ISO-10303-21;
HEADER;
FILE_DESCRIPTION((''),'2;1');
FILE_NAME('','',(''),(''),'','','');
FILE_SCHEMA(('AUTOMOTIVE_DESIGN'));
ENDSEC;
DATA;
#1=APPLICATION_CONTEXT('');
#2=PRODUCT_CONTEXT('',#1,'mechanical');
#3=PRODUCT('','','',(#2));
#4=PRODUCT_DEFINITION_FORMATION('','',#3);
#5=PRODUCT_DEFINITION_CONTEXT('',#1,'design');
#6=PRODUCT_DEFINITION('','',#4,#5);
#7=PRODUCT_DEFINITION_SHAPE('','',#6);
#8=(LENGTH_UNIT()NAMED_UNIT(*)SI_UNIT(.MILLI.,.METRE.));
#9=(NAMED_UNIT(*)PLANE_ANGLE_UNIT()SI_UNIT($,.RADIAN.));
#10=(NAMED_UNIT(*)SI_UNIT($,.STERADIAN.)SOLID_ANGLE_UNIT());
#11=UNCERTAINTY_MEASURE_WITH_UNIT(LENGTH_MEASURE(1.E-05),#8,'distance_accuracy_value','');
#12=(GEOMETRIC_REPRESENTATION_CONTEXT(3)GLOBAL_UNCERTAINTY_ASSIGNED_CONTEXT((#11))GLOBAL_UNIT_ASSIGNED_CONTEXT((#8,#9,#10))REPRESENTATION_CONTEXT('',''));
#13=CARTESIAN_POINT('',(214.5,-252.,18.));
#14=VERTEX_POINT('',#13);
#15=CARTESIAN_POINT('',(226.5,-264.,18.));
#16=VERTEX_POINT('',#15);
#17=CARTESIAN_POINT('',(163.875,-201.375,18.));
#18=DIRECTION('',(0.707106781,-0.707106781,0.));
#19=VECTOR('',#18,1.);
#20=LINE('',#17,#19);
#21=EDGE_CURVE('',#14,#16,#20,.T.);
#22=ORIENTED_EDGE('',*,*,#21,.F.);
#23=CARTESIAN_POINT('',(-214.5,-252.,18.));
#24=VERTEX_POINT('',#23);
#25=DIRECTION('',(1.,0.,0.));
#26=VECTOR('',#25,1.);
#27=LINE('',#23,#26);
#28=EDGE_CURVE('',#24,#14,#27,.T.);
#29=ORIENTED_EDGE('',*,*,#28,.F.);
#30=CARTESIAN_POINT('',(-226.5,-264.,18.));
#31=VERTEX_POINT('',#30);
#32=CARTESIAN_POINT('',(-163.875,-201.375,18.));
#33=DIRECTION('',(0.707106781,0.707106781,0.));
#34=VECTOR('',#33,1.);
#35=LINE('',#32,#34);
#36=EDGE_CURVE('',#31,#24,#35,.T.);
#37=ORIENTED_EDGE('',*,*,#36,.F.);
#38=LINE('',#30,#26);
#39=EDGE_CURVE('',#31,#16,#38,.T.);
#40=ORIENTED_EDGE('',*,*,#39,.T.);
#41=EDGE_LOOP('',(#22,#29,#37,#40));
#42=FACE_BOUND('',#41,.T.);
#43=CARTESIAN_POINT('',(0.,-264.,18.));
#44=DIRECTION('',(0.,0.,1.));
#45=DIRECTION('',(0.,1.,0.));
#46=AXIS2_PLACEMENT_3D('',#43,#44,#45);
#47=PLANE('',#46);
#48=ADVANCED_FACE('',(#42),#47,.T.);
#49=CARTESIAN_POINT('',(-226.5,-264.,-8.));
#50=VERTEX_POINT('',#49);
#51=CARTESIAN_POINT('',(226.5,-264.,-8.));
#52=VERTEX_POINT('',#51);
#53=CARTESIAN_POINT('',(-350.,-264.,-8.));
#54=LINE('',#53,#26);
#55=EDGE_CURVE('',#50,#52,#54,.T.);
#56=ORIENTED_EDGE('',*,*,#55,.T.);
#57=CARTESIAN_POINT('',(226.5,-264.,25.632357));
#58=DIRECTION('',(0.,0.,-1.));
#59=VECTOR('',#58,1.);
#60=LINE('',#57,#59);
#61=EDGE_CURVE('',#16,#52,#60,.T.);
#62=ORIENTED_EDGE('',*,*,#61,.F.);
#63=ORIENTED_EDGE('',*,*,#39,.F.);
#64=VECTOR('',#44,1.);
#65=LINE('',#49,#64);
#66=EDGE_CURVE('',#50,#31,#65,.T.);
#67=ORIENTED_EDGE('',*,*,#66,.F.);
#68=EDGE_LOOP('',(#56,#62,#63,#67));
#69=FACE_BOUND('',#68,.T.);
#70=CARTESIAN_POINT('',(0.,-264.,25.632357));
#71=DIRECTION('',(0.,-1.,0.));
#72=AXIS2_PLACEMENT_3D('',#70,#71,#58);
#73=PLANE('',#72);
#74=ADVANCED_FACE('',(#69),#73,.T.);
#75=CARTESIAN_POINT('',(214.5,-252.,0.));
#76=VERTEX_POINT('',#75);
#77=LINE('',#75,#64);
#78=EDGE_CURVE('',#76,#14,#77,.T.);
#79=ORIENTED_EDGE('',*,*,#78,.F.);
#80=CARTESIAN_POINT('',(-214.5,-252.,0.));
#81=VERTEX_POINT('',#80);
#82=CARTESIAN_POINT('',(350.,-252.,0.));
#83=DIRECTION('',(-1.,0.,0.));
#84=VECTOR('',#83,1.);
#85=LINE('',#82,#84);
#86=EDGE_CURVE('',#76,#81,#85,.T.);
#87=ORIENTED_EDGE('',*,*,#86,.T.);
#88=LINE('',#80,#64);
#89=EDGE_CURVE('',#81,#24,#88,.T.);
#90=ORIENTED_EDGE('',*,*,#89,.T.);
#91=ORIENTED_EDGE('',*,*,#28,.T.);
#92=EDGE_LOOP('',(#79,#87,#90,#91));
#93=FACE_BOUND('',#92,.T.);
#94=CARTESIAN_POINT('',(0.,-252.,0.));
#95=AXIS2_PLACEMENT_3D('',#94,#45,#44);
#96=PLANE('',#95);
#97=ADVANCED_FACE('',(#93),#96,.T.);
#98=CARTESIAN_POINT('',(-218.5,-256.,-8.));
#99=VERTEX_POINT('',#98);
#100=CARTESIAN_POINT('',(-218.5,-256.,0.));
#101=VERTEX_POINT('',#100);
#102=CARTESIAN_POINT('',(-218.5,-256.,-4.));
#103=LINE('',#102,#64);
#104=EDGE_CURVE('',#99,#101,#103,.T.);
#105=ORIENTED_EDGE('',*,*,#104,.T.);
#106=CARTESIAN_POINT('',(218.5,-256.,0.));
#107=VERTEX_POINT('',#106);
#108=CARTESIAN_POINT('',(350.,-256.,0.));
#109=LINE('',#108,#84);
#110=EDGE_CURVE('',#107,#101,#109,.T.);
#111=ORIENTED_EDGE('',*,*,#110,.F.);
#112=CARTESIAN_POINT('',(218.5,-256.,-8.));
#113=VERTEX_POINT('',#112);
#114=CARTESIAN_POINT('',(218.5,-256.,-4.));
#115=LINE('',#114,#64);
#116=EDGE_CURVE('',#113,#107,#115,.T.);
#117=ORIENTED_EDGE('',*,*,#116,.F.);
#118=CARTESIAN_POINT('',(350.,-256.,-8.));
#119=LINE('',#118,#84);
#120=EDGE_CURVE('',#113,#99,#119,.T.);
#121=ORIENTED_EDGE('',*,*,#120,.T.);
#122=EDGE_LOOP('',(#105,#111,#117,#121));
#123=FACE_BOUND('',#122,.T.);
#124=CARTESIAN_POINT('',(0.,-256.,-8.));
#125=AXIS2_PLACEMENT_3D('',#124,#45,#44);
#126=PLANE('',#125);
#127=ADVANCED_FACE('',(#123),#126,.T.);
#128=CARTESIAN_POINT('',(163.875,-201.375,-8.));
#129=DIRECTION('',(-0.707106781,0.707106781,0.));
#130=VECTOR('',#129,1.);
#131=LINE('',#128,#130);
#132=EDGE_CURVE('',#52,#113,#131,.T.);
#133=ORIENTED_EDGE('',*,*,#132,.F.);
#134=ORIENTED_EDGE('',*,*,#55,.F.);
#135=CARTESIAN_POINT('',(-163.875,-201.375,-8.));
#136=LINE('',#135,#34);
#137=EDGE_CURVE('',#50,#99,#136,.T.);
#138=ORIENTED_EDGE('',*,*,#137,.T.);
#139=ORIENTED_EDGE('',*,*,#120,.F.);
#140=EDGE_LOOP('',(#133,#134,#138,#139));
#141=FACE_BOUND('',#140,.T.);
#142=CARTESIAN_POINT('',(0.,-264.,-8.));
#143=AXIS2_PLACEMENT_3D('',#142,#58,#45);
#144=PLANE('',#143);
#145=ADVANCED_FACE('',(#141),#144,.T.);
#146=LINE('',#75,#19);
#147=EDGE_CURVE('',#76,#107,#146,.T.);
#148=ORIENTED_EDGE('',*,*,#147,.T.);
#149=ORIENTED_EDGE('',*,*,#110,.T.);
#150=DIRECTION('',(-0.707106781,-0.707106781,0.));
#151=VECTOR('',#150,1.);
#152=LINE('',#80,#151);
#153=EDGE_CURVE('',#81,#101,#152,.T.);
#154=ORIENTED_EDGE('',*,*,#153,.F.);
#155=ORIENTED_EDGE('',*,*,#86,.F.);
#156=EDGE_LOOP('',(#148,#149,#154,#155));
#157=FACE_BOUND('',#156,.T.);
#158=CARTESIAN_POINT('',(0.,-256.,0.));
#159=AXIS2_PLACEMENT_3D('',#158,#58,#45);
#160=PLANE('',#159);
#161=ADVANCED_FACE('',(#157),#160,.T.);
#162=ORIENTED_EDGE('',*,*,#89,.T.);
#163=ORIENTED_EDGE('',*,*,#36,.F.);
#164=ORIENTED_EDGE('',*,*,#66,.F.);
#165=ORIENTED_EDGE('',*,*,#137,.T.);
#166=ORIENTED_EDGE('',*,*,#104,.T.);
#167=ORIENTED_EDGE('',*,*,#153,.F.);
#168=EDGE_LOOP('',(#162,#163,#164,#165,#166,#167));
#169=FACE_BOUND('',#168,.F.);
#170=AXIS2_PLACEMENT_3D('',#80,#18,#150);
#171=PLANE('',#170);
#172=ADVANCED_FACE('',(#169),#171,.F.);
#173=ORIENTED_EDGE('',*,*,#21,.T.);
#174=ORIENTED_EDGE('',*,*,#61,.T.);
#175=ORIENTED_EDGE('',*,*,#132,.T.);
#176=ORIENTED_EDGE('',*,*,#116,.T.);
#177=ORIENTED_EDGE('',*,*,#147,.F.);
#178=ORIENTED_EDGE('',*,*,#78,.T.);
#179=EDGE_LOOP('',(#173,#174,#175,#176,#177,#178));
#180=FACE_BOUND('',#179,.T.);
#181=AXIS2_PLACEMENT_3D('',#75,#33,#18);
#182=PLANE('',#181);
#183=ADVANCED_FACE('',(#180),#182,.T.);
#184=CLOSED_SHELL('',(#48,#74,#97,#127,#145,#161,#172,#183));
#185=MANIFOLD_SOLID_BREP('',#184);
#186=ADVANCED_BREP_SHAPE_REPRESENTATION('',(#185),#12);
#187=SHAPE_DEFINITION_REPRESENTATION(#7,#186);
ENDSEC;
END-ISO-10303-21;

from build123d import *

# Parameters (mm, degrees)
PAD003_DEPTH         = 350
POCKET002_DEPTH      = 8.001
POCKET002_DEPTH_BACK = 30.001
SKETCH008_W          = 12
SKETCH008_H          = 12
POCKET003_DEPTH      = 226.501
POCKET003_DEPTH_BACK = 226.501


with BuildPart() as part:
    # Sketch005 → Pad003 (new body, symmetric)
    with BuildSketch(Plane.YZ):
        Polygon((-252, 0), (-252, 30), (-264, 25.632357), (-264, -8), (-256, -8), (-256, 0), align=None)
    extrude(amount=PAD003_DEPTH, both=True)

    # Sketch006 → Pocket002 (cut, two sides)
    with BuildSketch(Plane.XY) as pocket002_sk:
        Polygon((-350, -264), (-350, -252), (-214.5, -252), (-226.5, -264), align=None)
        Polygon((350, -264), (350, -252), (214.5, -252), (226.5, -264), align=None)
    extrude(amount=-POCKET002_DEPTH, mode=Mode.SUBTRACT)
    extrude(pocket002_sk.sketch, amount=POCKET002_DEPTH_BACK, mode=Mode.SUBTRACT)

    # Sketch008 → Pocket003 (cut, two sides)
    with BuildSketch(Plane.YZ) as pocket003_sk:
        with Locations((-258, 24)):
            Rectangle(SKETCH008_W, SKETCH008_H)
    extrude(amount=-POCKET003_DEPTH, mode=Mode.SUBTRACT)
    extrude(pocket003_sk.sketch, amount=POCKET003_DEPTH_BACK, mode=Mode.SUBTRACT)


solid = part.part
